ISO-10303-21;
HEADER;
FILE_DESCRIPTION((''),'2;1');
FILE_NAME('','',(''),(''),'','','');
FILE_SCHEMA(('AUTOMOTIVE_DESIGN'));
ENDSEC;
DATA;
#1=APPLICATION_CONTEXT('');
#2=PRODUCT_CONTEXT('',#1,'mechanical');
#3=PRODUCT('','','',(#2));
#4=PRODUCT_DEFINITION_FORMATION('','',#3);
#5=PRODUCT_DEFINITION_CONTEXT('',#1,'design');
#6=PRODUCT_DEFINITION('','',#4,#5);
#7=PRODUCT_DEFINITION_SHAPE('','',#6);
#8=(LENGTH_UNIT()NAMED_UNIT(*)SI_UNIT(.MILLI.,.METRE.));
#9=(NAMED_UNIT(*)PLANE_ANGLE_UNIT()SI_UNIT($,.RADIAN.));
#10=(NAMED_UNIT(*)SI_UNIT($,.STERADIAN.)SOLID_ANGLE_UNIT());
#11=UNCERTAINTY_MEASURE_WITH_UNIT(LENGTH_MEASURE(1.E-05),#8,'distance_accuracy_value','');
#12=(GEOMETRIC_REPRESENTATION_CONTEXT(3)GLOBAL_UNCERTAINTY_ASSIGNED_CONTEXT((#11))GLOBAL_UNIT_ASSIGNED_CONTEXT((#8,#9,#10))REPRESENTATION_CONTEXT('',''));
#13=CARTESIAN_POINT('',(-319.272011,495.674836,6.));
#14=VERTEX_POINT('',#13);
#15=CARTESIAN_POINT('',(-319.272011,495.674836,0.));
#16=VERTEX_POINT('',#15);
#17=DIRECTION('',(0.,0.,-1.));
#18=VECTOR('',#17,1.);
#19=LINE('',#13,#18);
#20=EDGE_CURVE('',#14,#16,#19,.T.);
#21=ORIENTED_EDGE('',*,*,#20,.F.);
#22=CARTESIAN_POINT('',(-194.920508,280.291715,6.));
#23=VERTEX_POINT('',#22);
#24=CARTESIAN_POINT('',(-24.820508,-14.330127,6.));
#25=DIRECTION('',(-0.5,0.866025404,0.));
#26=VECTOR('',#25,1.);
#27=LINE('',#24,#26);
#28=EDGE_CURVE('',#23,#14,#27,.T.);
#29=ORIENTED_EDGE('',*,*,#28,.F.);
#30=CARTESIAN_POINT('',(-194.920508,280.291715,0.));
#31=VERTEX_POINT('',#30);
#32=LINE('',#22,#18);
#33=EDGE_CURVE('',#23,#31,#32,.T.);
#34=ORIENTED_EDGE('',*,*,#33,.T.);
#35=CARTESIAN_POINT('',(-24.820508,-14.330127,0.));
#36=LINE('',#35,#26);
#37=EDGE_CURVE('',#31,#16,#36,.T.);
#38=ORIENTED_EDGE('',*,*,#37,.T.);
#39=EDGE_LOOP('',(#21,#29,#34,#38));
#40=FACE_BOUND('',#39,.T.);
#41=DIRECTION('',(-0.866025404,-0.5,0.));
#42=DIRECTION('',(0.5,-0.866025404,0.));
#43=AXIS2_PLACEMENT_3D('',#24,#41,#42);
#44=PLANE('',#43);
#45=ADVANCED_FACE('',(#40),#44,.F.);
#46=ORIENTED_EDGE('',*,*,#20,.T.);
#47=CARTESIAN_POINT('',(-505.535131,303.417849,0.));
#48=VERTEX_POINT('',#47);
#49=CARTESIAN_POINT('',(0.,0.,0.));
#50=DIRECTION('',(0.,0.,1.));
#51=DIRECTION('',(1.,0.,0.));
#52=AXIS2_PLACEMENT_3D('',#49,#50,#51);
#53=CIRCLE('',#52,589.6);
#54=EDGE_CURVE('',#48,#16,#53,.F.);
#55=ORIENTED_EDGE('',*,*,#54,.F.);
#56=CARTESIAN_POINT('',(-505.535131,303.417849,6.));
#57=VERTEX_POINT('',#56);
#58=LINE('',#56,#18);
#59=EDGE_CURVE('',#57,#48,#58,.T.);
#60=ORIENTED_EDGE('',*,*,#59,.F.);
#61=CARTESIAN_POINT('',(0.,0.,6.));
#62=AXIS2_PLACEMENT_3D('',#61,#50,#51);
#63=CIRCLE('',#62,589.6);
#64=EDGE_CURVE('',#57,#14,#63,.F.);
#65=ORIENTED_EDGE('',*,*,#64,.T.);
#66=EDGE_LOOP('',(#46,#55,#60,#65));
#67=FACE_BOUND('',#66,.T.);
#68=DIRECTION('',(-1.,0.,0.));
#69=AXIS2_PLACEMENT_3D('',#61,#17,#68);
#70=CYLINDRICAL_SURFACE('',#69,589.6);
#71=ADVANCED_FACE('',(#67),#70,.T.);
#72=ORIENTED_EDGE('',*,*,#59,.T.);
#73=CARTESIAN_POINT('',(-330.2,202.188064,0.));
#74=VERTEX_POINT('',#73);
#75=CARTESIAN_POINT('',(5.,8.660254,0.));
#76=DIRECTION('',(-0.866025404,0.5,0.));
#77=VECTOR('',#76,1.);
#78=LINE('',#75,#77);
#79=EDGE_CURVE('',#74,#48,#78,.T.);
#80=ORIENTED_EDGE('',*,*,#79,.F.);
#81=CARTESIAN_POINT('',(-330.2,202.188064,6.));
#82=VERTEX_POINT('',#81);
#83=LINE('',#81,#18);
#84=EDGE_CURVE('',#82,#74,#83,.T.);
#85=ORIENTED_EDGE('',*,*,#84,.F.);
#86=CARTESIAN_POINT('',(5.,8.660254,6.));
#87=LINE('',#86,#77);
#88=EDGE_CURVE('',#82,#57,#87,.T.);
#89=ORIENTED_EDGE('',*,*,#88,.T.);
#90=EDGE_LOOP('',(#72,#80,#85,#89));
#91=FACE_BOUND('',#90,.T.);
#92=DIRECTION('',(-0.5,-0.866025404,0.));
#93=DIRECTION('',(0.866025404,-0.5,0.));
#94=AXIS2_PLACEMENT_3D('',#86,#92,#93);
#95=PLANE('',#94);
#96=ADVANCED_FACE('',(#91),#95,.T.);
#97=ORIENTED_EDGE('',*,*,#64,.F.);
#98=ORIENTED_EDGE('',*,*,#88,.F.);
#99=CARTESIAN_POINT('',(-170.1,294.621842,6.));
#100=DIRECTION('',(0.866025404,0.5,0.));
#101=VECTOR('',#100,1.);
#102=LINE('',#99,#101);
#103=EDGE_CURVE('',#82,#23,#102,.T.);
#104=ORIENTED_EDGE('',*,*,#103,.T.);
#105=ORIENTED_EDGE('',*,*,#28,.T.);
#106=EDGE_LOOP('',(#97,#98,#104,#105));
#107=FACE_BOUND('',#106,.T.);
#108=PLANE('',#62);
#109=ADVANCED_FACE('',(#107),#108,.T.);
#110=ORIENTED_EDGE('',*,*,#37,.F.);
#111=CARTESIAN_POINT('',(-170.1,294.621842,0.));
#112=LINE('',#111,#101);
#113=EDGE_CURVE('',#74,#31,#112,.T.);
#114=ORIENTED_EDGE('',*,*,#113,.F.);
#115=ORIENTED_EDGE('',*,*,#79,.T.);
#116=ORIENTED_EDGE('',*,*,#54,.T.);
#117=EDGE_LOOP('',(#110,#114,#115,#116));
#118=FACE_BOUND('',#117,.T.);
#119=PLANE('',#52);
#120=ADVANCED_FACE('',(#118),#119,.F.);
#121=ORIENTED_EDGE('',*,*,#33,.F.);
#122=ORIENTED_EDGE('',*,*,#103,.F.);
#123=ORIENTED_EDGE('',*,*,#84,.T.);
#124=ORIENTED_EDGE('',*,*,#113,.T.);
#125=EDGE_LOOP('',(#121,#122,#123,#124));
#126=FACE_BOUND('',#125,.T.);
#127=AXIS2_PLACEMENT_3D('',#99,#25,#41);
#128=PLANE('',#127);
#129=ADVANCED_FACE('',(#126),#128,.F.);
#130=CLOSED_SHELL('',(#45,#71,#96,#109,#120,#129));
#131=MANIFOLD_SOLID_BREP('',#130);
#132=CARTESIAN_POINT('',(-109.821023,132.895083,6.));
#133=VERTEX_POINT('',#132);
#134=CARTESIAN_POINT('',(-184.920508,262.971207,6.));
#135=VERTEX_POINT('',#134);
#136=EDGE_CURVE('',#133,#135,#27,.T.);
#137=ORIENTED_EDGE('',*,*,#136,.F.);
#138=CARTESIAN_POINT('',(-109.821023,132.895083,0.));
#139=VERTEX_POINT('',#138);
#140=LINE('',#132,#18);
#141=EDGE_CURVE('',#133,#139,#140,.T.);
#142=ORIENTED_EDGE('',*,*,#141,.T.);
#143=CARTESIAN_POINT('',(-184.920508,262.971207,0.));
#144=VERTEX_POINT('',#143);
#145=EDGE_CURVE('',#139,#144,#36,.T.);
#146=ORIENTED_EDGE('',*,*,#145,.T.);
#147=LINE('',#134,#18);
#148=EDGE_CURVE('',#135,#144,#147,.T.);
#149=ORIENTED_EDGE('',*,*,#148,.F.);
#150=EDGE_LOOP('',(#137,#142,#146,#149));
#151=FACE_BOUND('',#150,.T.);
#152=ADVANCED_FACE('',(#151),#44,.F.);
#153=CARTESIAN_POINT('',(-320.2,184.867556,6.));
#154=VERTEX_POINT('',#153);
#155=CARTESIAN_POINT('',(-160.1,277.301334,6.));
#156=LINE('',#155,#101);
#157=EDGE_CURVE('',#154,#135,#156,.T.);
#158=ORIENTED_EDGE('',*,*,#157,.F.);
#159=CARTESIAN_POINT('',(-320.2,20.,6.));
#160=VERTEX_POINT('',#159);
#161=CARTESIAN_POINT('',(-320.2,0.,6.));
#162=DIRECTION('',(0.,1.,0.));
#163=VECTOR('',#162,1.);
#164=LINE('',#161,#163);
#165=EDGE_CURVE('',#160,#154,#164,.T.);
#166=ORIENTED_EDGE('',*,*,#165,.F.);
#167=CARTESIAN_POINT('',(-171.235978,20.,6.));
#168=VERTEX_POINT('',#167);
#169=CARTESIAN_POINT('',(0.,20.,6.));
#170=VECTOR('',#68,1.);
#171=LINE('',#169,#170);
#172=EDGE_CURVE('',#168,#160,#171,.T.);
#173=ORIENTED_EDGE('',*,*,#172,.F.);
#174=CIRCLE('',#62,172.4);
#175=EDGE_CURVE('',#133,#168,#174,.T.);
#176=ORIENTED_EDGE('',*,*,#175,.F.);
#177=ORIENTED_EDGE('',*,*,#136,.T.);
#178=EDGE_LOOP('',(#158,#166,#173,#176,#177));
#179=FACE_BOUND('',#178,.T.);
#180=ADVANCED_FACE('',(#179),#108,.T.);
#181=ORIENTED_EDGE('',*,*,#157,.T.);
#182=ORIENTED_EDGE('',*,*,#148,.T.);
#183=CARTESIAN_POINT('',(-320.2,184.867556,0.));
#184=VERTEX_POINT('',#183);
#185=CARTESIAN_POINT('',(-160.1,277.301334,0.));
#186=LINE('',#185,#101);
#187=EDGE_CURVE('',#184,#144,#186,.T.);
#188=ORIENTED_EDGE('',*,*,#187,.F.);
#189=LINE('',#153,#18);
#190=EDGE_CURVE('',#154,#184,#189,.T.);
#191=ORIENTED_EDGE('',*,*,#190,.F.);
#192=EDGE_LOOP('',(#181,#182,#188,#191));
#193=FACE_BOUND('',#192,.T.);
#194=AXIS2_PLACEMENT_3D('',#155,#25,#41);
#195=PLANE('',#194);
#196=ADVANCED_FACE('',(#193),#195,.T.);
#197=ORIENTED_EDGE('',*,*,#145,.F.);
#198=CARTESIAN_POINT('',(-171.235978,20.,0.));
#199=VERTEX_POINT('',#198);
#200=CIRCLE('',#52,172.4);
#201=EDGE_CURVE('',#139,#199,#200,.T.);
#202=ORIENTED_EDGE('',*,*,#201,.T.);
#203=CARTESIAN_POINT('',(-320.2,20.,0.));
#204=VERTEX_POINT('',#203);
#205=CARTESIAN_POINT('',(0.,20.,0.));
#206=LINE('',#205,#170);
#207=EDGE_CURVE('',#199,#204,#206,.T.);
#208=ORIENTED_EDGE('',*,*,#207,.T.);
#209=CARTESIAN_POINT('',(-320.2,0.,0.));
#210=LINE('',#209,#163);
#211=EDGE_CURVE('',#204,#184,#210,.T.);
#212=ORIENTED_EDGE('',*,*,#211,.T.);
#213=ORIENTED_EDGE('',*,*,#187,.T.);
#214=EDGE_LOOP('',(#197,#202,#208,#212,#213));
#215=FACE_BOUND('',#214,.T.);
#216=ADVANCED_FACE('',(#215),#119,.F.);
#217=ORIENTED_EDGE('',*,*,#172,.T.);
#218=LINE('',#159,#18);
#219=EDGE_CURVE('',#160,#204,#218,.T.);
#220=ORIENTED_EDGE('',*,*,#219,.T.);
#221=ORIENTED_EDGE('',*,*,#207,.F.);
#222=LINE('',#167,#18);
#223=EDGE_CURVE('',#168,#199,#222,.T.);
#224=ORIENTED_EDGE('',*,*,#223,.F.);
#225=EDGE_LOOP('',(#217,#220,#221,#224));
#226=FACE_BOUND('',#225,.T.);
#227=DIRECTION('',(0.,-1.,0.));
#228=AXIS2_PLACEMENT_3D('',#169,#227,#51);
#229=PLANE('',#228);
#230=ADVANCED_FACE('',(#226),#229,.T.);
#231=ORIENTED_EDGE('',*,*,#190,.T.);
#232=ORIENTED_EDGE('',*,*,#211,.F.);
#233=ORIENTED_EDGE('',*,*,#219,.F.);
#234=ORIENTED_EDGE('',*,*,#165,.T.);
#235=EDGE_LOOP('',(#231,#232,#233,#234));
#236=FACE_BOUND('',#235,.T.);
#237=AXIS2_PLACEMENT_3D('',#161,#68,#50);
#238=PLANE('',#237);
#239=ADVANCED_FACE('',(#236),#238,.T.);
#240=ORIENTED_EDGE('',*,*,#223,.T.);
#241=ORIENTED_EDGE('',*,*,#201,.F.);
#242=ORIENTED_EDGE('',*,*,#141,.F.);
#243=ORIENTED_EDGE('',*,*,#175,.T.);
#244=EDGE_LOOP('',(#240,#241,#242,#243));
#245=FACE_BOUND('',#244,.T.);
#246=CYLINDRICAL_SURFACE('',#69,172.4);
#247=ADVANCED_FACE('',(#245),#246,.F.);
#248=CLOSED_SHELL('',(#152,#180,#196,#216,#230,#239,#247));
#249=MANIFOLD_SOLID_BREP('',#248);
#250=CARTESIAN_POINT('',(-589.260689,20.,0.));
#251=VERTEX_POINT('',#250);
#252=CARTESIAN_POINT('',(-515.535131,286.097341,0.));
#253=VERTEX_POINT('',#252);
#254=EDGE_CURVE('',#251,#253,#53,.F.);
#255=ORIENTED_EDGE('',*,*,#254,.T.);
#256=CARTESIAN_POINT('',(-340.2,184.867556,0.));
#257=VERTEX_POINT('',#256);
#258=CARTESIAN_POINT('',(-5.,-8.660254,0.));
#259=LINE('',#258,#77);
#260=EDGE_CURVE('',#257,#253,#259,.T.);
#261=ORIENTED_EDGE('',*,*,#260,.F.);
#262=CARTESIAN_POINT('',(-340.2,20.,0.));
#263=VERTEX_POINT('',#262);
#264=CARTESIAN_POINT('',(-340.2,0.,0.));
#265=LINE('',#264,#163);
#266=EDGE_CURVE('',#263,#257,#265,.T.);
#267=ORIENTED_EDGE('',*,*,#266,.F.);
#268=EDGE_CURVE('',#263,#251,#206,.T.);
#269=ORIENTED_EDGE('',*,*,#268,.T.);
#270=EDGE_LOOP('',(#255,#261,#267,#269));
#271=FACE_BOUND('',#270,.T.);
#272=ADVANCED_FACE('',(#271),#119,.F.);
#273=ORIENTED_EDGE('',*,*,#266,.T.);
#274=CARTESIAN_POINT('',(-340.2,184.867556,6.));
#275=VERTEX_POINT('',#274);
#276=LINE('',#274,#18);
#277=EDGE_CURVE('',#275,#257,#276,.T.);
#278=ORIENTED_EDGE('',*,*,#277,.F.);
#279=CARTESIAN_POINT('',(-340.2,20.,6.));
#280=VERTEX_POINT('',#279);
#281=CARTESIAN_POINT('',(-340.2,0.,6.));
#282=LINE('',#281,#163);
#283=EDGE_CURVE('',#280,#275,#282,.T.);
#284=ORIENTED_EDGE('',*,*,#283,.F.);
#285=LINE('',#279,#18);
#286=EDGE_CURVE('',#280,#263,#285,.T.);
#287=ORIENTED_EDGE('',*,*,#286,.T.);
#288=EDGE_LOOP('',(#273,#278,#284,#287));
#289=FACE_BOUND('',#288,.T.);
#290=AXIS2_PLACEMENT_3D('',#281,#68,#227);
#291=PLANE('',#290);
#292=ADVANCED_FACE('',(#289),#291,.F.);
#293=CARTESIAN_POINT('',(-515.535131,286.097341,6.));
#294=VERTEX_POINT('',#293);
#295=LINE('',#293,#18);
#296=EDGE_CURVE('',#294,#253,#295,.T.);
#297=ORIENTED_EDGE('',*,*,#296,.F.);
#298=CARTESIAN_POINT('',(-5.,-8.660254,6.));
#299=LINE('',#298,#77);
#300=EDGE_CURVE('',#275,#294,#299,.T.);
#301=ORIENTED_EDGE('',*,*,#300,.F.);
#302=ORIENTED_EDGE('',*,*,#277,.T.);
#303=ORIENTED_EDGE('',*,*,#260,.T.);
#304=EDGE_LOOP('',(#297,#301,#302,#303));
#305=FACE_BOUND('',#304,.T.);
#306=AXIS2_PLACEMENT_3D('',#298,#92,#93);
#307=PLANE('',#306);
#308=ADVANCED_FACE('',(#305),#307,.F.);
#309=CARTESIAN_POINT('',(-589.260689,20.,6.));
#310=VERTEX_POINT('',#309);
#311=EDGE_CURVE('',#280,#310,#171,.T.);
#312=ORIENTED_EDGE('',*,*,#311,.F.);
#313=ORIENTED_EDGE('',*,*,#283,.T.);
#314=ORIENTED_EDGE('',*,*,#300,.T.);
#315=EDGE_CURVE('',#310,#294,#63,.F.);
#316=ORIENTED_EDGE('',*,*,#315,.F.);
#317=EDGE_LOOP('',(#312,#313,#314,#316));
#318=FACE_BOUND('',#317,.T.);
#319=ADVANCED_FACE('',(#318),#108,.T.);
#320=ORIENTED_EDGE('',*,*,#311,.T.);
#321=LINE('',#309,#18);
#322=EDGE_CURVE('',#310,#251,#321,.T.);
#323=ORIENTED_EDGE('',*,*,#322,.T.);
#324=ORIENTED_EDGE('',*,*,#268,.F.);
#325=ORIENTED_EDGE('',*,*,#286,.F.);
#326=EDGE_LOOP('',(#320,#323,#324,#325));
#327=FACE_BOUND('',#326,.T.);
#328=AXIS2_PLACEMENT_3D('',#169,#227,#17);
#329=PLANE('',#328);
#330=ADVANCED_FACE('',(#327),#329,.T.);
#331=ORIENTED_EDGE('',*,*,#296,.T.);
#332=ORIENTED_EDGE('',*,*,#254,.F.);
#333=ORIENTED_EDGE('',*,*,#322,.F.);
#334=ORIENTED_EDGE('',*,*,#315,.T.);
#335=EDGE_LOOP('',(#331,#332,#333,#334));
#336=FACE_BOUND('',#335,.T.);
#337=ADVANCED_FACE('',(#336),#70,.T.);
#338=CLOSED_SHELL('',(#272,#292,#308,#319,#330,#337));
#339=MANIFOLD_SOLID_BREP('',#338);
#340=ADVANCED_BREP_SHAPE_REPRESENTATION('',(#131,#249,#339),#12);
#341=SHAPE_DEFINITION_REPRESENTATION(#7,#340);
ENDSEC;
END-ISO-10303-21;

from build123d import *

# Parameters (mm, degrees)
BOSS_EXTRUDE1_DEPTH   = 6
BOSS_EXTRUDE1_2_DEPTH = 6
BOSS_EXTRUDE1_3_DEPTH = 6


with BuildPart() as part:
    # Sketch1 → Boss-Extrude1 (new body)
    with BuildSketch(Plane.XY):
        with BuildLine():
            ThreePointArc((-589.260689339, 20), (-568.194860877, 157.425411141), (-515.535131015, 286.097341284))
            Line((-515.535131015, 286.097341284), (-340.2, 184.867556195))
            Line((-340.2, 184.867556195), (-340.2, 20))
            Line((-340.2, 20), (-589.260689339, 20))
        make_face()
    extrude(amount=BOSS_EXTRUDE1_DEPTH)


with BuildPart() as body_2:
    # Sketch1 → Boss-Extrude1 2 (new body)
    with BuildSketch(Plane.XY):
        with BuildLine():
            ThreePointArc((-505.535131015, 303.41784936), (-423.458843967, 410.256952977), (-319.272010805, 495.674836073))
            Line((-319.272010805, 495.674836073), (-194.920508076, 280.291715349))
            Line((-194.920508076, 280.291715349), (-330.2, 202.18806427))
            Line((-330.2, 202.18806427), (-505.535131015, 303.41784936))
        make_face()
    extrude(amount=BOSS_EXTRUDE1_2_DEPTH)


with BuildPart() as body_3:
    # Sketch1 → Boss-Extrude1 3 (new body)
    with BuildSketch(Plane.XY):
        with BuildLine():
            ThreePointArc((-154.05140053, 77.394612181), (-165.156001883, 49.449520141), (-171.235977528, 20))
            Line((-171.235977528, 20), (-320.2, 20))
            Line((-320.2, 20), (-320.2, 173.320550811))
            Line((-320.2, 173.320550811), (-320.2, 184.867556195))
            Line((-320.2, 184.867556195), (-310.2, 190.641058886))
            Line((-310.2, 190.641058886), (-184.920508076, 262.971207273))
            Line((-184.920508076, 262.971207273), (-109.821022542, 132.895082707))
            ThreePointArc((-109.821022542, 132.895082707), (-128.363659898, 115.08488527), (-144.05140053, 94.715120257))
            ThreePointArc((-144.05140053, 94.715120257), (-149.302779612, 86.2), (-154.05140053, 77.394612181))
        make_face()
    extrude(amount=BOSS_EXTRUDE1_3_DEPTH)


solid = Compound([part.part, body_2.part, body_3.part])
